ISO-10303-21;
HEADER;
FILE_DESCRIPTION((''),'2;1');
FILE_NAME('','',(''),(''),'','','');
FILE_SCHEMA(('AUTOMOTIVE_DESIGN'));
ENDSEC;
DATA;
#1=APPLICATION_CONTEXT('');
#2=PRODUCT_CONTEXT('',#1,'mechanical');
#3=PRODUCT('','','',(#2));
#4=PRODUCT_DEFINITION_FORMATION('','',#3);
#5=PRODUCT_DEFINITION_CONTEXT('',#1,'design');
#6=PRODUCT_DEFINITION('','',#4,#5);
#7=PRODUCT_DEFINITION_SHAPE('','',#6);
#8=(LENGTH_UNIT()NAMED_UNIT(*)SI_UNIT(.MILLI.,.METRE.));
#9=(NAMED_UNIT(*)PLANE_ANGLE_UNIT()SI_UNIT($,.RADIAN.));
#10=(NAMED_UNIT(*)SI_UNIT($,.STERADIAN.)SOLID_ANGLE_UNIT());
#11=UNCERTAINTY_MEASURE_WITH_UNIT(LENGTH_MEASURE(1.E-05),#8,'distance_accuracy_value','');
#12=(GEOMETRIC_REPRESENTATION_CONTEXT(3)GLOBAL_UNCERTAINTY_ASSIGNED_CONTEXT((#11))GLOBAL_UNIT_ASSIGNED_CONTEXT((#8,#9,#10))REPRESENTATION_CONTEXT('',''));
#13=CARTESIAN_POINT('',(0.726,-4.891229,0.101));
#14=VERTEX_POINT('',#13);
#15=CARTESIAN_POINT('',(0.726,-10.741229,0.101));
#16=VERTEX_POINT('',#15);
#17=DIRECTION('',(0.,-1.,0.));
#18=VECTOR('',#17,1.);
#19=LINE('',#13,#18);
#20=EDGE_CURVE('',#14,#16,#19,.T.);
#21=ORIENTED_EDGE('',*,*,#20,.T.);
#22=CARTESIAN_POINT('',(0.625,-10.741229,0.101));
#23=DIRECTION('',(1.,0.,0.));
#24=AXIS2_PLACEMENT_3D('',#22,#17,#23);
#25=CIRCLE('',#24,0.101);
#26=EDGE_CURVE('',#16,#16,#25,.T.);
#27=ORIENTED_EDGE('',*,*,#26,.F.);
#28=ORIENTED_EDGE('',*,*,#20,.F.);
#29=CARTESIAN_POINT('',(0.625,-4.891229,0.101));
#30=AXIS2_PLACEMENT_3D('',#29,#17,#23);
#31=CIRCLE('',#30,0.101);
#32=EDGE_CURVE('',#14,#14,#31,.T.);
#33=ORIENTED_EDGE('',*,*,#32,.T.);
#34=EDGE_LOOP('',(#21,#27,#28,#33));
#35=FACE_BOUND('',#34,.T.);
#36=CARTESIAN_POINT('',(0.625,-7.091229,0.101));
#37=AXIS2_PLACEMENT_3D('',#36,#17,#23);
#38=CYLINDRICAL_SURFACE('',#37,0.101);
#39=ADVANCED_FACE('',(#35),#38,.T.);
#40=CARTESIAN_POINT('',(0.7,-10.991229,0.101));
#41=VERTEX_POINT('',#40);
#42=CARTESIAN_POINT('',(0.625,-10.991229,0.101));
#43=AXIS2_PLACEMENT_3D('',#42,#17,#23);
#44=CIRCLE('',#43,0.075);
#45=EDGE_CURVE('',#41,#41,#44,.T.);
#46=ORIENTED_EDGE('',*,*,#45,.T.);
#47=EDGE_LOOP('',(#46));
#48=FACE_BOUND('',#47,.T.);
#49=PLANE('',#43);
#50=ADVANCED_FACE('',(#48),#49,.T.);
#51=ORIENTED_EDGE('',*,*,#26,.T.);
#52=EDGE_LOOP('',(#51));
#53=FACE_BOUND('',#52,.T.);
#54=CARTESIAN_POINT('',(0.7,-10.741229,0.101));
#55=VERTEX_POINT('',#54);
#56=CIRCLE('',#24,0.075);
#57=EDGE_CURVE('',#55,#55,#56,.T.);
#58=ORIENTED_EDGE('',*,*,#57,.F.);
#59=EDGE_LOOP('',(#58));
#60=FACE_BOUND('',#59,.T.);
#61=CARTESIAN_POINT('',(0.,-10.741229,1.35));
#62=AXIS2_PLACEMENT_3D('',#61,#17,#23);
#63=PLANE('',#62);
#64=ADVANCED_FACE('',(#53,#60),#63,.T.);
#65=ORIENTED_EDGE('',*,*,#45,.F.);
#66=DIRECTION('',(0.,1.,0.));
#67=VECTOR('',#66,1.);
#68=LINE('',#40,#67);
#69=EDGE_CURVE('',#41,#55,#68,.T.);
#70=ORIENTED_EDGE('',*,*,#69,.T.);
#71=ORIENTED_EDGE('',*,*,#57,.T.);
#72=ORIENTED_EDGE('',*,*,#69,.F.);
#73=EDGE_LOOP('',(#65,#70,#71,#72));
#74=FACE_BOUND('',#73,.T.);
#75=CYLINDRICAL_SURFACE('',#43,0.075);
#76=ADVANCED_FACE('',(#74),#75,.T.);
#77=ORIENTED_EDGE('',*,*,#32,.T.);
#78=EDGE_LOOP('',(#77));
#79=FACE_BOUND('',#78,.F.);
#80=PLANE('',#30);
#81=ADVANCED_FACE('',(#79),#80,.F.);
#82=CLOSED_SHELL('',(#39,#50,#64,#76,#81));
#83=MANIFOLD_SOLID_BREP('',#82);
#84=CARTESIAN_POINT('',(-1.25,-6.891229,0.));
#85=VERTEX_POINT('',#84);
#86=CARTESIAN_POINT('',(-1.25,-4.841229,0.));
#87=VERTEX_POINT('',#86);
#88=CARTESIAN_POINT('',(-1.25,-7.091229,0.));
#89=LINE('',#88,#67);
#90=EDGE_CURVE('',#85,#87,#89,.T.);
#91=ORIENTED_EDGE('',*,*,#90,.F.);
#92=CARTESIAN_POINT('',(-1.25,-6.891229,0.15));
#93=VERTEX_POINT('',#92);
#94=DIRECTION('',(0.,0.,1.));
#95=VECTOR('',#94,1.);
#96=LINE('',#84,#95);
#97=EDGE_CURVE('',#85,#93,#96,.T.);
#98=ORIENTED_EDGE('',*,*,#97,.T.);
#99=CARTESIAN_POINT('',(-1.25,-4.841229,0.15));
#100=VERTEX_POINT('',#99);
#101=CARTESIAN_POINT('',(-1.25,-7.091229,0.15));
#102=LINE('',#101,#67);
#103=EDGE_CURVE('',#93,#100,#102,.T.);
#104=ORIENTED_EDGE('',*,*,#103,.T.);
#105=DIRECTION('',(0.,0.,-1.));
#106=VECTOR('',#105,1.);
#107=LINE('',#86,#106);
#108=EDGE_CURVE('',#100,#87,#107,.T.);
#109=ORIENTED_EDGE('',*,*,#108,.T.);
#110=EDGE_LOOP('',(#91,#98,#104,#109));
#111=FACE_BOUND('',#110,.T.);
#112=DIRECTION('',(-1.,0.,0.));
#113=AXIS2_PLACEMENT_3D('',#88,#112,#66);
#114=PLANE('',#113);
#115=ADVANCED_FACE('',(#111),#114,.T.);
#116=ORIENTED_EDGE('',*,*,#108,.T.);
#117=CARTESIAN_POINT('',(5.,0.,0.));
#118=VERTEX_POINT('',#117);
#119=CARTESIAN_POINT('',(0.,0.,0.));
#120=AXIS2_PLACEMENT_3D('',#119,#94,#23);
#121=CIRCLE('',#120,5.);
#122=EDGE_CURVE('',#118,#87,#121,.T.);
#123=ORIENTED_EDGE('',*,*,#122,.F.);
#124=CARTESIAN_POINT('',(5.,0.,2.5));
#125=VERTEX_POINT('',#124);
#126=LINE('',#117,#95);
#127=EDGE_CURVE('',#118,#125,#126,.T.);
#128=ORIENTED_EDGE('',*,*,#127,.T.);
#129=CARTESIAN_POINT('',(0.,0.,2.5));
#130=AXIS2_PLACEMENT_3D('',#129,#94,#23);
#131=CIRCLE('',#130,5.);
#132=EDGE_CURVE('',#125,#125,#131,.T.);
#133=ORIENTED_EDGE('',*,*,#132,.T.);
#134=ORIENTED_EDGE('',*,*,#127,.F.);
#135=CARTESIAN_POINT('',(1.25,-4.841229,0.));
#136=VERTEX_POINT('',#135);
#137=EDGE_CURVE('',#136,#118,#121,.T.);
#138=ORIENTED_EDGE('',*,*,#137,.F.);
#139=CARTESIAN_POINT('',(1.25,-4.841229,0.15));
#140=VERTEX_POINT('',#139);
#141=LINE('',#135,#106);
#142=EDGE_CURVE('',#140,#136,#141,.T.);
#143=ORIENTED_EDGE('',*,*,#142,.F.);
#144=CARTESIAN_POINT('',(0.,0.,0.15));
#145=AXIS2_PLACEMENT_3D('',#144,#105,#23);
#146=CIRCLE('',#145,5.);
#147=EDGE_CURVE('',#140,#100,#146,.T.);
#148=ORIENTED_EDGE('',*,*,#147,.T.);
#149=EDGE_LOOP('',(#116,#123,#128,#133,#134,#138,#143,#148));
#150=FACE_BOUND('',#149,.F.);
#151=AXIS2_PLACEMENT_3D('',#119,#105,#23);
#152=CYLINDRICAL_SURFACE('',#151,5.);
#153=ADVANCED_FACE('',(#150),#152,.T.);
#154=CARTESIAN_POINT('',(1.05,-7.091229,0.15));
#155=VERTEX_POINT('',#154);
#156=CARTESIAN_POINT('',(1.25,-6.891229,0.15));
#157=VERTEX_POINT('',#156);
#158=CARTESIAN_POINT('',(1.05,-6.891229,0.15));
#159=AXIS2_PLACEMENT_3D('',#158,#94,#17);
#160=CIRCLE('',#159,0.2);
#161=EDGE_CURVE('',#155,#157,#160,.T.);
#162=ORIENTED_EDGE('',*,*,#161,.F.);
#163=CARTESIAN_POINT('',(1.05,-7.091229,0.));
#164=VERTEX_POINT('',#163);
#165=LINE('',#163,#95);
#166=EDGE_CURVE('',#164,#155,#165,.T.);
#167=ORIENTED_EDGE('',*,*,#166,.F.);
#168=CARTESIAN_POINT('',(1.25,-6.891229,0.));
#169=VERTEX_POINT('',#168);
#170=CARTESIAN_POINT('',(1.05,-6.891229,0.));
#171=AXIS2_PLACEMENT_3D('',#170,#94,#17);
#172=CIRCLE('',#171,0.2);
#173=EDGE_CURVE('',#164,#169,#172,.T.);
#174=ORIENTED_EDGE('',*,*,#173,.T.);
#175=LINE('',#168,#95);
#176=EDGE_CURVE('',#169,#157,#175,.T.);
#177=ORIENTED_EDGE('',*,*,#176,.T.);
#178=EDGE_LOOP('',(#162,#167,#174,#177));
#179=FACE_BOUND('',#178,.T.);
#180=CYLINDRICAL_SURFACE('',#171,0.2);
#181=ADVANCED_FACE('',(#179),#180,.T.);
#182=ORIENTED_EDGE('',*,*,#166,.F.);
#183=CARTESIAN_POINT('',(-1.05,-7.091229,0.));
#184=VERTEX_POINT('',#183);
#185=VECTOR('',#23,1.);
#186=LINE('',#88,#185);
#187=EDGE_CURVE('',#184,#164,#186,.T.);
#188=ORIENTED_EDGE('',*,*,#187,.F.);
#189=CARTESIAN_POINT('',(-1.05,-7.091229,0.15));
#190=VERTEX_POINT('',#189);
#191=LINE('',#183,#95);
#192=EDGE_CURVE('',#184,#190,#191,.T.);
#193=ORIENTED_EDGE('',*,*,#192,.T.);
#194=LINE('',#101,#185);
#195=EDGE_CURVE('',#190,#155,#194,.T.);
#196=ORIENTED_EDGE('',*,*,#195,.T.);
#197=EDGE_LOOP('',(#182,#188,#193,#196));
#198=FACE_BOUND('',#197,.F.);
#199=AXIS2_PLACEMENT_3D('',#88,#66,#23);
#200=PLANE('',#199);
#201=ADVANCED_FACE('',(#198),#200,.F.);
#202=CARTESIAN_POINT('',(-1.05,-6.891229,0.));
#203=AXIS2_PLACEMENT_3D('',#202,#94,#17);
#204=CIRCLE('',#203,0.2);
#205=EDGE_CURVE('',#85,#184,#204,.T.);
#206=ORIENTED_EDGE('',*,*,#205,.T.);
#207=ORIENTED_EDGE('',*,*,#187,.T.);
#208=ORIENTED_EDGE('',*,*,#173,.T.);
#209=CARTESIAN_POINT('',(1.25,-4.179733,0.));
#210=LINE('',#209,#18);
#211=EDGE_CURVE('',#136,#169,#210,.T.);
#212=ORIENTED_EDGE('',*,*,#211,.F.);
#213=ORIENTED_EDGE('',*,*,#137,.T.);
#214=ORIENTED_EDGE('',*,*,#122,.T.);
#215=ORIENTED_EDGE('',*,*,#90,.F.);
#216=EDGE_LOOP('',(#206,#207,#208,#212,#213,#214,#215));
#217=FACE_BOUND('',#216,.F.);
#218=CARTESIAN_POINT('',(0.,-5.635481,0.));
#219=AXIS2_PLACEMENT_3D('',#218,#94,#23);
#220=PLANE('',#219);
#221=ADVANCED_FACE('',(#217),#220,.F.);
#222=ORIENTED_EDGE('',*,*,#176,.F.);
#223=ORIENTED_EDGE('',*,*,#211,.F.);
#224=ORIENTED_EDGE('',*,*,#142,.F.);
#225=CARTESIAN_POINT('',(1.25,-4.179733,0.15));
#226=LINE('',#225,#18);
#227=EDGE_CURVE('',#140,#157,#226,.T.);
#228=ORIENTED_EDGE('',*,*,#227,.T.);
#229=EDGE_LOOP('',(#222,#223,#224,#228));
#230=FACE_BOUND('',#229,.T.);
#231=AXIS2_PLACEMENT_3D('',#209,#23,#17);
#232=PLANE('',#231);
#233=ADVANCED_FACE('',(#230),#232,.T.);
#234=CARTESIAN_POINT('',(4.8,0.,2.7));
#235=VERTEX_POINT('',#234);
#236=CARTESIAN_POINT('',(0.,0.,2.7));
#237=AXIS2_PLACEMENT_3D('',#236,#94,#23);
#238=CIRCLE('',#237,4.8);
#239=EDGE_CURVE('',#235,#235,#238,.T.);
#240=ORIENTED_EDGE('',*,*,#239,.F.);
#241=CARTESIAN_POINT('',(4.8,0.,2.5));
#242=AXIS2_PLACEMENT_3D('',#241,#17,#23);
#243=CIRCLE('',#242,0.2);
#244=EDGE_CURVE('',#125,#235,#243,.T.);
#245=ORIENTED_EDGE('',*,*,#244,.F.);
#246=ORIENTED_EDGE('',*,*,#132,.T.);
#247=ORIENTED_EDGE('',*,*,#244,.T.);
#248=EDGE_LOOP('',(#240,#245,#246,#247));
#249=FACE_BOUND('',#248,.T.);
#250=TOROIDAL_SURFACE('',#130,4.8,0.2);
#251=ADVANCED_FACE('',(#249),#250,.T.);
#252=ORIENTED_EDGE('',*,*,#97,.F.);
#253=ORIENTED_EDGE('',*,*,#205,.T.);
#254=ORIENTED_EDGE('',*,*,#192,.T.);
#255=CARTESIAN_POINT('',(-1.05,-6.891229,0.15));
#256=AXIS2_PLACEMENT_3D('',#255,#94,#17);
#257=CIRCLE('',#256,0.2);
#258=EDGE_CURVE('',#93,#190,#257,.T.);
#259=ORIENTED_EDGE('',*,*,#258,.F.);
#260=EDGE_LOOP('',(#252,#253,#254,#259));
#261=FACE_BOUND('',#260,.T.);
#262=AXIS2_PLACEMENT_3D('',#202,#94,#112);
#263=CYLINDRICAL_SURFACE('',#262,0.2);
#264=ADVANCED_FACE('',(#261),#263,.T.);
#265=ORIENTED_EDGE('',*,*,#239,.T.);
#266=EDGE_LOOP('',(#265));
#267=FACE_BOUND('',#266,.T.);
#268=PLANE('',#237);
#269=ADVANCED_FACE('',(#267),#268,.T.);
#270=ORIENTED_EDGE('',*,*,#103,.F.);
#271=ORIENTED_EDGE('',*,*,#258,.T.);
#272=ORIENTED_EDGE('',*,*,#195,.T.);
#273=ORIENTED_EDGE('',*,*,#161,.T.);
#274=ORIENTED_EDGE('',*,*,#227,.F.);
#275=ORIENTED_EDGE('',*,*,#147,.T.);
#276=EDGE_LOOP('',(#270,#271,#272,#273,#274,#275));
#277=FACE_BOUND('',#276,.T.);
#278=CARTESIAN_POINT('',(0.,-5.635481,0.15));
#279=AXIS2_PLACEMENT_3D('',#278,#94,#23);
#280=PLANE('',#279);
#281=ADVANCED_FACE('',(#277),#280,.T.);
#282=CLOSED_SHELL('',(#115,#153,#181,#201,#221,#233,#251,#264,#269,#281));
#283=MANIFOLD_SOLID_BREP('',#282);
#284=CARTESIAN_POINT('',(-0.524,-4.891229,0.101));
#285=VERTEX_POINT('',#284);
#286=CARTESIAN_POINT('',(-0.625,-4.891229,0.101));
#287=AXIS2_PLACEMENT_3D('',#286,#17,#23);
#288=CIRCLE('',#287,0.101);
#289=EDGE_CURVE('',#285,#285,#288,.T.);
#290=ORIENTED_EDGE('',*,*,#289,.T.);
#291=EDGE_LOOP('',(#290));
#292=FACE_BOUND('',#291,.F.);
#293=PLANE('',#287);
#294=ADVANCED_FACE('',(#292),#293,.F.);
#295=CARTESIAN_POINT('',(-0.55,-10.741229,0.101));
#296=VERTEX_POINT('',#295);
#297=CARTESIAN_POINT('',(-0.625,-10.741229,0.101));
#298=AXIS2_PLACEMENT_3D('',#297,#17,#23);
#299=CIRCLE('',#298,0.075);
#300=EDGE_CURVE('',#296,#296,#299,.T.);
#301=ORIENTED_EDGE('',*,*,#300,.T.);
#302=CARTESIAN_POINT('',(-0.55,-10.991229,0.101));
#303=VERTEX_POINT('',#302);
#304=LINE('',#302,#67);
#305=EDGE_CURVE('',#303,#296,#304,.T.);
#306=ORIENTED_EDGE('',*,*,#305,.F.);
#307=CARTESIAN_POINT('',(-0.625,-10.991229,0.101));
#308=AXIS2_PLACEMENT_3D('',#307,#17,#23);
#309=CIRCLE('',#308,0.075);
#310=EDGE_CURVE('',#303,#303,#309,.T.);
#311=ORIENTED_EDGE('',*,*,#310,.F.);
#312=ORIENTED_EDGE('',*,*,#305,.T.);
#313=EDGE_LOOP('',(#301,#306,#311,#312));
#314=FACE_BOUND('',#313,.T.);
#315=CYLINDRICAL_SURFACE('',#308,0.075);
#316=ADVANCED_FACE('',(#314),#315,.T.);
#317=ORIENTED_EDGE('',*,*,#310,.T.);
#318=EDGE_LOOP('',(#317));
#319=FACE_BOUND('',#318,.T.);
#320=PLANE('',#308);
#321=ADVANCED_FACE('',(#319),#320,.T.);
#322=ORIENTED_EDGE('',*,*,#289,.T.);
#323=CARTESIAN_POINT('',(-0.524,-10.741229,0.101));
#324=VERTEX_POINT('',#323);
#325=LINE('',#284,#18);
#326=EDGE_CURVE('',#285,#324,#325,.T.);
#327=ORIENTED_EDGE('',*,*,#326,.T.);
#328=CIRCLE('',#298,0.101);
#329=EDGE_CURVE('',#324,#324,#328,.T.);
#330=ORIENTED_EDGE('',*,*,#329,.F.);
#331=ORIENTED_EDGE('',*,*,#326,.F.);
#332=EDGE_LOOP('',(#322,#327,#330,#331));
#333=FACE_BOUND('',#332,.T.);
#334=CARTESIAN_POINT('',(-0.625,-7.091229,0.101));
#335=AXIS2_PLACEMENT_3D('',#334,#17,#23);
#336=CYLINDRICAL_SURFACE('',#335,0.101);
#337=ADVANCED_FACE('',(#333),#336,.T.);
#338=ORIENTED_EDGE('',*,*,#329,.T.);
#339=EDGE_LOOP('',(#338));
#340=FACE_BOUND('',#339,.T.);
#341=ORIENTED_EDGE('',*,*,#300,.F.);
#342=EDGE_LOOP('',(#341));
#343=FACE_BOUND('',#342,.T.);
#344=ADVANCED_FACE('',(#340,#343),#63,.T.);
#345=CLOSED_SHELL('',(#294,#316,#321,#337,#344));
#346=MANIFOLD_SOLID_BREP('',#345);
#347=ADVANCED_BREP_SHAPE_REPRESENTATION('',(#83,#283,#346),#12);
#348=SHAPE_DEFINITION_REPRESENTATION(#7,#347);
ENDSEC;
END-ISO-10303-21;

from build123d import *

# Parameters (mm, degrees)
SKETCH1_R                  = 5
BOSS_EXTRUDE1_DEPTH        = 2.7
BOSS_EXTRUDE2_DEPTH        = 0.15
SKETCH4_R                  = 0.101
BOSS_EXTRUDE3_DEPTH        = 3.9
BOSS_EXTRUDE3_DEPTH_BACK   = 2.2
BOSS_EXTRUDE3_2_DEPTH      = 3.9
BOSS_EXTRUDE3_2_DEPTH_BACK = 2.2
FILLET1_R                  = 0.2
FILLET2_R                  = 0.2
SKETCH5_OUTSIDE_W          = 15.81
SKETCH5_OUTSIDE_H          = 8.51
SKETCH5_OUTSIDE_R          = 0.075
CUT_EXTRUDE4_DEPTH         = 0.25


with BuildPart() as part:
    # Sketch1 → Boss-Extrude1 (new body)
    with BuildSketch(Plane.XY):
        Circle(SKETCH1_R)
    extrude(amount=BOSS_EXTRUDE1_DEPTH)

    # Sketch3 → Boss-Extrude2 (add)
    with BuildSketch(Plane(origin=(0, 0, 0), x_dir=(-1, 0, 0), z_dir=(0, 0, -1))):
        Polygon((1.25, -4.841229183), (1.25, -7.091229183), (-1.25, -7.091229183), (-1.25, -4.841229183), (-1.25, -4.179733262), (1.25, -4.179733262), align=None)
    extrude(amount=-BOSS_EXTRUDE2_DEPTH)

    # Fillet1
    fillet1_edges = [part.edges().sort_by_distance(p)[0] for p in [
        (1.25, -7.091229183, 0.075),
        (-1.25, -7.091229183, 0.075),
    ]]
    fillet(fillet1_edges, radius=FILLET1_R)

    # Fillet2
    fillet2_edges = [part.edges().sort_by_distance(p)[0] for p in [
        (-5, 0, 2.7),
    ]]
    fillet(fillet2_edges, radius=FILLET2_R)


with BuildPart() as body_2:
    # Sketch4 → Boss-Extrude3 (new body, two sides)
    with BuildSketch(Plane.XZ.offset(7.091229183)) as boss_extrude3_sk:
        with Locations((-0.625, 0.101)):
            Circle(SKETCH4_R)
    extrude(amount=BOSS_EXTRUDE3_DEPTH)
    extrude(boss_extrude3_sk.sketch, amount=-BOSS_EXTRUDE3_DEPTH_BACK)


with BuildPart() as body_3:
    # Sketch4 → Boss-Extrude3 2 (new body, two sides)
    with BuildSketch(Plane.XZ.offset(7.091229183)) as boss_extrude3_2_sk:
        with Locations((0.625, 0.101)):
            Circle(SKETCH4_R)
    extrude(amount=BOSS_EXTRUDE3_2_DEPTH)
    extrude(boss_extrude3_2_sk.sketch, amount=-BOSS_EXTRUDE3_2_DEPTH_BACK)


with BuildPart() as cut_extrude4_tool:
    # Sketch5 outside → Cut-Extrude4 (new body)
    with BuildSketch(Plane.XZ.offset(10.991229183)):
        with Locations((0, 1.35)):
            Rectangle(SKETCH5_OUTSIDE_W, SKETCH5_OUTSIDE_H)
        with Locations((-0.625, 0.101)):
            Circle(SKETCH5_OUTSIDE_R, mode=Mode.SUBTRACT)
        with Locations((0.625, 0.101)):
            Circle(SKETCH5_OUTSIDE_R, mode=Mode.SUBTRACT)
    extrude(amount=-CUT_EXTRUDE4_DEPTH)


with BuildPart() as body_2_1:
    add(body_2.part)

    # Cut-Extrude4: cut by cut_extrude4_tool
    add(cut_extrude4_tool.part, mode=Mode.SUBTRACT)


with BuildPart() as body_3_1:
    add(body_3.part)

    # Cut-Extrude4: cut by cut_extrude4_tool
    add(cut_extrude4_tool.part, mode=Mode.SUBTRACT)


solid = Compound([part.part, body_2_1.part, body_3_1.part])
